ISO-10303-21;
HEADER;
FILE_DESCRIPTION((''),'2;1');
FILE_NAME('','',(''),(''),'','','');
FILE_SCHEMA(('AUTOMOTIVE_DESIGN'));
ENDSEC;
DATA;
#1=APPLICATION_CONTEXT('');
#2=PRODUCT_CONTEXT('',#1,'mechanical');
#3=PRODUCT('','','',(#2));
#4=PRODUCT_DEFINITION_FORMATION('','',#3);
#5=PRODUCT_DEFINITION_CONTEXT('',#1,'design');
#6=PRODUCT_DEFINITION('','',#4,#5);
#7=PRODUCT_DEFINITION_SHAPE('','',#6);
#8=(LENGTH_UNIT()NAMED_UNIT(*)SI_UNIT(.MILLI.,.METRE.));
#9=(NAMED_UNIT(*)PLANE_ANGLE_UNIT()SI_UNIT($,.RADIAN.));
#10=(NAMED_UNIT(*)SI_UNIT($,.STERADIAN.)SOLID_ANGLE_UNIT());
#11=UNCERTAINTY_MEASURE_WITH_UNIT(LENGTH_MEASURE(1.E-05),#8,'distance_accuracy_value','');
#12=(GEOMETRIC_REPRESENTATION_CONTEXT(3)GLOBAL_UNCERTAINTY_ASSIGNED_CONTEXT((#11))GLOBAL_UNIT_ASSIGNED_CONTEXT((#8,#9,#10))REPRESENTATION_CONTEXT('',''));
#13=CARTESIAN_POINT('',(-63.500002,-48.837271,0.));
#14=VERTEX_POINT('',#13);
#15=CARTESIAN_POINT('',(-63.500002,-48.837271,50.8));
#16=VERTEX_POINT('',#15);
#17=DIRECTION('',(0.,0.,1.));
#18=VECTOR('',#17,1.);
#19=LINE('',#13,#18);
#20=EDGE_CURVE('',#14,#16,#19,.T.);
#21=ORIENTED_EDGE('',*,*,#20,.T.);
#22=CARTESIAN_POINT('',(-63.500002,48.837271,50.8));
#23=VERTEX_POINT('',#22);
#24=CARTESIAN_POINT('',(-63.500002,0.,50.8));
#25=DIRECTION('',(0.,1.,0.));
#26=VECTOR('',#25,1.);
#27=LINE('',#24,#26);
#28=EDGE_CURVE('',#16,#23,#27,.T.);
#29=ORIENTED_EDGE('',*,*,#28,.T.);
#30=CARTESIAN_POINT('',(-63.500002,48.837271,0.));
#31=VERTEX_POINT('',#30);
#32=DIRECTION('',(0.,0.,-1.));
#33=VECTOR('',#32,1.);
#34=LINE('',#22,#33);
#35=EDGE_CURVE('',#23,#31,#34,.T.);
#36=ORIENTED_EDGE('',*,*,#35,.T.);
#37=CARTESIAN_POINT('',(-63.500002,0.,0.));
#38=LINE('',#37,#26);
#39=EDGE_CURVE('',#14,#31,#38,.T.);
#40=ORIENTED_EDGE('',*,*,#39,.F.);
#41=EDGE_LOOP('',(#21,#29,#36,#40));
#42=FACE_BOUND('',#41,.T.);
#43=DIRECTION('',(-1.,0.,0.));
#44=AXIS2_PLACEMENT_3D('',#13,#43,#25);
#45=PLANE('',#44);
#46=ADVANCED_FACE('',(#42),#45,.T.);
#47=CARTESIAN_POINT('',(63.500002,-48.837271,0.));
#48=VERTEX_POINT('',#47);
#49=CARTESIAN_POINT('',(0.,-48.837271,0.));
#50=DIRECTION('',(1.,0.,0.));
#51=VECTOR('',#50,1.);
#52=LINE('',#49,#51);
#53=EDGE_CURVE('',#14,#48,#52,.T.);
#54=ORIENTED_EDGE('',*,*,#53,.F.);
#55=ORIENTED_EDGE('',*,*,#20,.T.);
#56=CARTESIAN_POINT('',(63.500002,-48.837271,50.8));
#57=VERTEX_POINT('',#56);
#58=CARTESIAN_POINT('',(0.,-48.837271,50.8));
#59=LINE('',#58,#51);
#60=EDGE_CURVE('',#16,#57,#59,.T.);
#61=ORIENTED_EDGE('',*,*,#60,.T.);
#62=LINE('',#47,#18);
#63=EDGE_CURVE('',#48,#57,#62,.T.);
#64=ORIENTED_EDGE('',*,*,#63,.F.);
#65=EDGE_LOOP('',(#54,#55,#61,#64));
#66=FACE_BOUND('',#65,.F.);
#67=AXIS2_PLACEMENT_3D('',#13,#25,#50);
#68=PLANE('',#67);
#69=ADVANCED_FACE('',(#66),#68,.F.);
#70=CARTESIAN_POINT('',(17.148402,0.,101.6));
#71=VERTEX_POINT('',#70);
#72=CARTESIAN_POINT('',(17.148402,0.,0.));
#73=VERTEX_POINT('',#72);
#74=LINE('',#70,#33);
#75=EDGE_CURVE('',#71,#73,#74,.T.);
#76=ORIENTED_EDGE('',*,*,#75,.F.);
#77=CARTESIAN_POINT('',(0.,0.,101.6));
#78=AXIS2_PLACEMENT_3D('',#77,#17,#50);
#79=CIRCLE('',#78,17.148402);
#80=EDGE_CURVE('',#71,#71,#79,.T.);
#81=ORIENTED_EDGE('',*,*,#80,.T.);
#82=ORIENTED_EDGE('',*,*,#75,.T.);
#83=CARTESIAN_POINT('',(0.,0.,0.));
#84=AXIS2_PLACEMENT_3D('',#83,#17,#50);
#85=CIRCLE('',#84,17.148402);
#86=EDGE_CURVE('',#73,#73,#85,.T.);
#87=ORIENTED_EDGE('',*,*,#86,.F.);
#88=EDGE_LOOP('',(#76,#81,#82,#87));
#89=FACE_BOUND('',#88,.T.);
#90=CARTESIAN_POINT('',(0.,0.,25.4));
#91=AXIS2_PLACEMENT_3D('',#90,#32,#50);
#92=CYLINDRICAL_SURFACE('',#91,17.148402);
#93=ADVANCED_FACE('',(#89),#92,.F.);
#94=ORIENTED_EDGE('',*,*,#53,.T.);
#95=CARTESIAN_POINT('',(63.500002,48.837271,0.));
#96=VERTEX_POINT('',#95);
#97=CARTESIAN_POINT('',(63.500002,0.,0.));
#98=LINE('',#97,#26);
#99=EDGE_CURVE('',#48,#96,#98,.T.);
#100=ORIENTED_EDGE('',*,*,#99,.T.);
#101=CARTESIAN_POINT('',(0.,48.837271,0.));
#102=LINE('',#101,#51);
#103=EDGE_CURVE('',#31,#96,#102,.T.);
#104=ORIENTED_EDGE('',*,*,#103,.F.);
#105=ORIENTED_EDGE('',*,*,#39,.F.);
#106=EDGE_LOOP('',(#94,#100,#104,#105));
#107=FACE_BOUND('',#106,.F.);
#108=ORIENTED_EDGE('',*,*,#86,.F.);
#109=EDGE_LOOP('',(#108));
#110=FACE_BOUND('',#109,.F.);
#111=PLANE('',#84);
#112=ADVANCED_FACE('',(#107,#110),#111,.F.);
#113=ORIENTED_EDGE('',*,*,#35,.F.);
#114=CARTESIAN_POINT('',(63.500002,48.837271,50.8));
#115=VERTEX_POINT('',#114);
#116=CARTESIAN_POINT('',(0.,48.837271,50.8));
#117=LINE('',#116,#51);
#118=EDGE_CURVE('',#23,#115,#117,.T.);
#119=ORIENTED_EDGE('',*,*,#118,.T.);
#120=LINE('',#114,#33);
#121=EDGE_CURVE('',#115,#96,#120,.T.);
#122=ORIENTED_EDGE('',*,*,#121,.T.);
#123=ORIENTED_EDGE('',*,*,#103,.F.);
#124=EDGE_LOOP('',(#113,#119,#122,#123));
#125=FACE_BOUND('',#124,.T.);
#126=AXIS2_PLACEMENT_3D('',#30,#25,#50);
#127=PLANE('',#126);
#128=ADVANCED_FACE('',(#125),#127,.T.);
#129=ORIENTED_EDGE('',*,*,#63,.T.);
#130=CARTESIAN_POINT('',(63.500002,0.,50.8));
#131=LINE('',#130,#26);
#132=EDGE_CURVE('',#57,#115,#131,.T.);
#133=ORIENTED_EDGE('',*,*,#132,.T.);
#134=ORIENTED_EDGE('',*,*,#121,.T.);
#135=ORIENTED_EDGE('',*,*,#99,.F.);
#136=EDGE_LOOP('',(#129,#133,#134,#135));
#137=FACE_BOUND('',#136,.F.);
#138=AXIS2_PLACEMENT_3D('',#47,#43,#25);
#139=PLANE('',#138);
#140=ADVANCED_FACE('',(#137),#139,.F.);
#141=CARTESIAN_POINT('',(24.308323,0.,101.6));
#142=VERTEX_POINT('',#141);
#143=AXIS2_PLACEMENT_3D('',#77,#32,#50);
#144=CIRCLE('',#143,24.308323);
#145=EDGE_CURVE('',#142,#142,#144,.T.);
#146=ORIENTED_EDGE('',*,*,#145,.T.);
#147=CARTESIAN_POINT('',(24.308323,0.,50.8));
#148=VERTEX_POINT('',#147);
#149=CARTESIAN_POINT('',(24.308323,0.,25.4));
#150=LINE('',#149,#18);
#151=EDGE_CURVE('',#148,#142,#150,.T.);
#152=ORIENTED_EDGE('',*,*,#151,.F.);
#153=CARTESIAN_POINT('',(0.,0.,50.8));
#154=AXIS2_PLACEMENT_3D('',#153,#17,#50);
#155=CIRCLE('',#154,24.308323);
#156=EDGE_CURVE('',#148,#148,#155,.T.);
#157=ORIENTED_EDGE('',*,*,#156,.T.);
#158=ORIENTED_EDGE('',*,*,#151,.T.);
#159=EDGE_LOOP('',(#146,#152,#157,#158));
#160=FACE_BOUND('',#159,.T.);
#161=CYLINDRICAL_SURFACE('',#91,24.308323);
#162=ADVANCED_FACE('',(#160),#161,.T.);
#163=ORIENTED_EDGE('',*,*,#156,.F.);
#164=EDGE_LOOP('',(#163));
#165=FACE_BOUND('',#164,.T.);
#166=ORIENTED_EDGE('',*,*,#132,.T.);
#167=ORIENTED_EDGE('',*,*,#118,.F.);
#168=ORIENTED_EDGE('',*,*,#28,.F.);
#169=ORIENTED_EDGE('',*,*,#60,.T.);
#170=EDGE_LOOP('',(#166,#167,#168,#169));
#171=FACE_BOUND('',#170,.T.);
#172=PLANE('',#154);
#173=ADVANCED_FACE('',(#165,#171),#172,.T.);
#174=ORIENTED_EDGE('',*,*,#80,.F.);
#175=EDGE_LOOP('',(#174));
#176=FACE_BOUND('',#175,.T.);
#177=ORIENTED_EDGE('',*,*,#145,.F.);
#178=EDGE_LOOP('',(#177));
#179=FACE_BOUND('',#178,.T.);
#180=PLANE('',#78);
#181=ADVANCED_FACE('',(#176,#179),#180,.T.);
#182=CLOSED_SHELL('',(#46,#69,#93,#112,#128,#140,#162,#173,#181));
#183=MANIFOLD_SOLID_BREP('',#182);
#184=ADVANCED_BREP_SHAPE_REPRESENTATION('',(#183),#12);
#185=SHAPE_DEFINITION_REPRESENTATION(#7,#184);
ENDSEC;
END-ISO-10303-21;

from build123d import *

# Parameters (mm, degrees)
F0_W     = 127.0000040531
F0_H     = 97.6745411754
F0_R     = 24.3083232654
F0_R_2   = 17.1484022814
F1_DEPTH = 25.4
F2_DEPTH = 50.8
F3_DEPTH = 76.2


with BuildPart() as f1:
    # F0 (on Top) → F1 (new body)
    with BuildSketch(Plane.XY):
        Rectangle(F0_W, F0_H)
        Circle(F0_R, mode=Mode.SUBTRACT)
        Circle(F0_R)
        Circle(F0_R_2, mode=Mode.SUBTRACT)
    extrude(amount=F1_DEPTH)

    # F0 (on Top) → F2 (join)
    with BuildSketch(Plane.XY):
        Rectangle(F0_W, F0_H)
        Circle(F0_R, mode=Mode.SUBTRACT)
    extrude(amount=F2_DEPTH)

    # F3 (add): a face of the model
    f3_faces = [f1.faces().sort_by_distance(p)[0] for p in [
        (-23.6207800566, 0, 25.4),
    ]]
    extrude(f3_faces, amount=F3_DEPTH)


solid = f1.part
